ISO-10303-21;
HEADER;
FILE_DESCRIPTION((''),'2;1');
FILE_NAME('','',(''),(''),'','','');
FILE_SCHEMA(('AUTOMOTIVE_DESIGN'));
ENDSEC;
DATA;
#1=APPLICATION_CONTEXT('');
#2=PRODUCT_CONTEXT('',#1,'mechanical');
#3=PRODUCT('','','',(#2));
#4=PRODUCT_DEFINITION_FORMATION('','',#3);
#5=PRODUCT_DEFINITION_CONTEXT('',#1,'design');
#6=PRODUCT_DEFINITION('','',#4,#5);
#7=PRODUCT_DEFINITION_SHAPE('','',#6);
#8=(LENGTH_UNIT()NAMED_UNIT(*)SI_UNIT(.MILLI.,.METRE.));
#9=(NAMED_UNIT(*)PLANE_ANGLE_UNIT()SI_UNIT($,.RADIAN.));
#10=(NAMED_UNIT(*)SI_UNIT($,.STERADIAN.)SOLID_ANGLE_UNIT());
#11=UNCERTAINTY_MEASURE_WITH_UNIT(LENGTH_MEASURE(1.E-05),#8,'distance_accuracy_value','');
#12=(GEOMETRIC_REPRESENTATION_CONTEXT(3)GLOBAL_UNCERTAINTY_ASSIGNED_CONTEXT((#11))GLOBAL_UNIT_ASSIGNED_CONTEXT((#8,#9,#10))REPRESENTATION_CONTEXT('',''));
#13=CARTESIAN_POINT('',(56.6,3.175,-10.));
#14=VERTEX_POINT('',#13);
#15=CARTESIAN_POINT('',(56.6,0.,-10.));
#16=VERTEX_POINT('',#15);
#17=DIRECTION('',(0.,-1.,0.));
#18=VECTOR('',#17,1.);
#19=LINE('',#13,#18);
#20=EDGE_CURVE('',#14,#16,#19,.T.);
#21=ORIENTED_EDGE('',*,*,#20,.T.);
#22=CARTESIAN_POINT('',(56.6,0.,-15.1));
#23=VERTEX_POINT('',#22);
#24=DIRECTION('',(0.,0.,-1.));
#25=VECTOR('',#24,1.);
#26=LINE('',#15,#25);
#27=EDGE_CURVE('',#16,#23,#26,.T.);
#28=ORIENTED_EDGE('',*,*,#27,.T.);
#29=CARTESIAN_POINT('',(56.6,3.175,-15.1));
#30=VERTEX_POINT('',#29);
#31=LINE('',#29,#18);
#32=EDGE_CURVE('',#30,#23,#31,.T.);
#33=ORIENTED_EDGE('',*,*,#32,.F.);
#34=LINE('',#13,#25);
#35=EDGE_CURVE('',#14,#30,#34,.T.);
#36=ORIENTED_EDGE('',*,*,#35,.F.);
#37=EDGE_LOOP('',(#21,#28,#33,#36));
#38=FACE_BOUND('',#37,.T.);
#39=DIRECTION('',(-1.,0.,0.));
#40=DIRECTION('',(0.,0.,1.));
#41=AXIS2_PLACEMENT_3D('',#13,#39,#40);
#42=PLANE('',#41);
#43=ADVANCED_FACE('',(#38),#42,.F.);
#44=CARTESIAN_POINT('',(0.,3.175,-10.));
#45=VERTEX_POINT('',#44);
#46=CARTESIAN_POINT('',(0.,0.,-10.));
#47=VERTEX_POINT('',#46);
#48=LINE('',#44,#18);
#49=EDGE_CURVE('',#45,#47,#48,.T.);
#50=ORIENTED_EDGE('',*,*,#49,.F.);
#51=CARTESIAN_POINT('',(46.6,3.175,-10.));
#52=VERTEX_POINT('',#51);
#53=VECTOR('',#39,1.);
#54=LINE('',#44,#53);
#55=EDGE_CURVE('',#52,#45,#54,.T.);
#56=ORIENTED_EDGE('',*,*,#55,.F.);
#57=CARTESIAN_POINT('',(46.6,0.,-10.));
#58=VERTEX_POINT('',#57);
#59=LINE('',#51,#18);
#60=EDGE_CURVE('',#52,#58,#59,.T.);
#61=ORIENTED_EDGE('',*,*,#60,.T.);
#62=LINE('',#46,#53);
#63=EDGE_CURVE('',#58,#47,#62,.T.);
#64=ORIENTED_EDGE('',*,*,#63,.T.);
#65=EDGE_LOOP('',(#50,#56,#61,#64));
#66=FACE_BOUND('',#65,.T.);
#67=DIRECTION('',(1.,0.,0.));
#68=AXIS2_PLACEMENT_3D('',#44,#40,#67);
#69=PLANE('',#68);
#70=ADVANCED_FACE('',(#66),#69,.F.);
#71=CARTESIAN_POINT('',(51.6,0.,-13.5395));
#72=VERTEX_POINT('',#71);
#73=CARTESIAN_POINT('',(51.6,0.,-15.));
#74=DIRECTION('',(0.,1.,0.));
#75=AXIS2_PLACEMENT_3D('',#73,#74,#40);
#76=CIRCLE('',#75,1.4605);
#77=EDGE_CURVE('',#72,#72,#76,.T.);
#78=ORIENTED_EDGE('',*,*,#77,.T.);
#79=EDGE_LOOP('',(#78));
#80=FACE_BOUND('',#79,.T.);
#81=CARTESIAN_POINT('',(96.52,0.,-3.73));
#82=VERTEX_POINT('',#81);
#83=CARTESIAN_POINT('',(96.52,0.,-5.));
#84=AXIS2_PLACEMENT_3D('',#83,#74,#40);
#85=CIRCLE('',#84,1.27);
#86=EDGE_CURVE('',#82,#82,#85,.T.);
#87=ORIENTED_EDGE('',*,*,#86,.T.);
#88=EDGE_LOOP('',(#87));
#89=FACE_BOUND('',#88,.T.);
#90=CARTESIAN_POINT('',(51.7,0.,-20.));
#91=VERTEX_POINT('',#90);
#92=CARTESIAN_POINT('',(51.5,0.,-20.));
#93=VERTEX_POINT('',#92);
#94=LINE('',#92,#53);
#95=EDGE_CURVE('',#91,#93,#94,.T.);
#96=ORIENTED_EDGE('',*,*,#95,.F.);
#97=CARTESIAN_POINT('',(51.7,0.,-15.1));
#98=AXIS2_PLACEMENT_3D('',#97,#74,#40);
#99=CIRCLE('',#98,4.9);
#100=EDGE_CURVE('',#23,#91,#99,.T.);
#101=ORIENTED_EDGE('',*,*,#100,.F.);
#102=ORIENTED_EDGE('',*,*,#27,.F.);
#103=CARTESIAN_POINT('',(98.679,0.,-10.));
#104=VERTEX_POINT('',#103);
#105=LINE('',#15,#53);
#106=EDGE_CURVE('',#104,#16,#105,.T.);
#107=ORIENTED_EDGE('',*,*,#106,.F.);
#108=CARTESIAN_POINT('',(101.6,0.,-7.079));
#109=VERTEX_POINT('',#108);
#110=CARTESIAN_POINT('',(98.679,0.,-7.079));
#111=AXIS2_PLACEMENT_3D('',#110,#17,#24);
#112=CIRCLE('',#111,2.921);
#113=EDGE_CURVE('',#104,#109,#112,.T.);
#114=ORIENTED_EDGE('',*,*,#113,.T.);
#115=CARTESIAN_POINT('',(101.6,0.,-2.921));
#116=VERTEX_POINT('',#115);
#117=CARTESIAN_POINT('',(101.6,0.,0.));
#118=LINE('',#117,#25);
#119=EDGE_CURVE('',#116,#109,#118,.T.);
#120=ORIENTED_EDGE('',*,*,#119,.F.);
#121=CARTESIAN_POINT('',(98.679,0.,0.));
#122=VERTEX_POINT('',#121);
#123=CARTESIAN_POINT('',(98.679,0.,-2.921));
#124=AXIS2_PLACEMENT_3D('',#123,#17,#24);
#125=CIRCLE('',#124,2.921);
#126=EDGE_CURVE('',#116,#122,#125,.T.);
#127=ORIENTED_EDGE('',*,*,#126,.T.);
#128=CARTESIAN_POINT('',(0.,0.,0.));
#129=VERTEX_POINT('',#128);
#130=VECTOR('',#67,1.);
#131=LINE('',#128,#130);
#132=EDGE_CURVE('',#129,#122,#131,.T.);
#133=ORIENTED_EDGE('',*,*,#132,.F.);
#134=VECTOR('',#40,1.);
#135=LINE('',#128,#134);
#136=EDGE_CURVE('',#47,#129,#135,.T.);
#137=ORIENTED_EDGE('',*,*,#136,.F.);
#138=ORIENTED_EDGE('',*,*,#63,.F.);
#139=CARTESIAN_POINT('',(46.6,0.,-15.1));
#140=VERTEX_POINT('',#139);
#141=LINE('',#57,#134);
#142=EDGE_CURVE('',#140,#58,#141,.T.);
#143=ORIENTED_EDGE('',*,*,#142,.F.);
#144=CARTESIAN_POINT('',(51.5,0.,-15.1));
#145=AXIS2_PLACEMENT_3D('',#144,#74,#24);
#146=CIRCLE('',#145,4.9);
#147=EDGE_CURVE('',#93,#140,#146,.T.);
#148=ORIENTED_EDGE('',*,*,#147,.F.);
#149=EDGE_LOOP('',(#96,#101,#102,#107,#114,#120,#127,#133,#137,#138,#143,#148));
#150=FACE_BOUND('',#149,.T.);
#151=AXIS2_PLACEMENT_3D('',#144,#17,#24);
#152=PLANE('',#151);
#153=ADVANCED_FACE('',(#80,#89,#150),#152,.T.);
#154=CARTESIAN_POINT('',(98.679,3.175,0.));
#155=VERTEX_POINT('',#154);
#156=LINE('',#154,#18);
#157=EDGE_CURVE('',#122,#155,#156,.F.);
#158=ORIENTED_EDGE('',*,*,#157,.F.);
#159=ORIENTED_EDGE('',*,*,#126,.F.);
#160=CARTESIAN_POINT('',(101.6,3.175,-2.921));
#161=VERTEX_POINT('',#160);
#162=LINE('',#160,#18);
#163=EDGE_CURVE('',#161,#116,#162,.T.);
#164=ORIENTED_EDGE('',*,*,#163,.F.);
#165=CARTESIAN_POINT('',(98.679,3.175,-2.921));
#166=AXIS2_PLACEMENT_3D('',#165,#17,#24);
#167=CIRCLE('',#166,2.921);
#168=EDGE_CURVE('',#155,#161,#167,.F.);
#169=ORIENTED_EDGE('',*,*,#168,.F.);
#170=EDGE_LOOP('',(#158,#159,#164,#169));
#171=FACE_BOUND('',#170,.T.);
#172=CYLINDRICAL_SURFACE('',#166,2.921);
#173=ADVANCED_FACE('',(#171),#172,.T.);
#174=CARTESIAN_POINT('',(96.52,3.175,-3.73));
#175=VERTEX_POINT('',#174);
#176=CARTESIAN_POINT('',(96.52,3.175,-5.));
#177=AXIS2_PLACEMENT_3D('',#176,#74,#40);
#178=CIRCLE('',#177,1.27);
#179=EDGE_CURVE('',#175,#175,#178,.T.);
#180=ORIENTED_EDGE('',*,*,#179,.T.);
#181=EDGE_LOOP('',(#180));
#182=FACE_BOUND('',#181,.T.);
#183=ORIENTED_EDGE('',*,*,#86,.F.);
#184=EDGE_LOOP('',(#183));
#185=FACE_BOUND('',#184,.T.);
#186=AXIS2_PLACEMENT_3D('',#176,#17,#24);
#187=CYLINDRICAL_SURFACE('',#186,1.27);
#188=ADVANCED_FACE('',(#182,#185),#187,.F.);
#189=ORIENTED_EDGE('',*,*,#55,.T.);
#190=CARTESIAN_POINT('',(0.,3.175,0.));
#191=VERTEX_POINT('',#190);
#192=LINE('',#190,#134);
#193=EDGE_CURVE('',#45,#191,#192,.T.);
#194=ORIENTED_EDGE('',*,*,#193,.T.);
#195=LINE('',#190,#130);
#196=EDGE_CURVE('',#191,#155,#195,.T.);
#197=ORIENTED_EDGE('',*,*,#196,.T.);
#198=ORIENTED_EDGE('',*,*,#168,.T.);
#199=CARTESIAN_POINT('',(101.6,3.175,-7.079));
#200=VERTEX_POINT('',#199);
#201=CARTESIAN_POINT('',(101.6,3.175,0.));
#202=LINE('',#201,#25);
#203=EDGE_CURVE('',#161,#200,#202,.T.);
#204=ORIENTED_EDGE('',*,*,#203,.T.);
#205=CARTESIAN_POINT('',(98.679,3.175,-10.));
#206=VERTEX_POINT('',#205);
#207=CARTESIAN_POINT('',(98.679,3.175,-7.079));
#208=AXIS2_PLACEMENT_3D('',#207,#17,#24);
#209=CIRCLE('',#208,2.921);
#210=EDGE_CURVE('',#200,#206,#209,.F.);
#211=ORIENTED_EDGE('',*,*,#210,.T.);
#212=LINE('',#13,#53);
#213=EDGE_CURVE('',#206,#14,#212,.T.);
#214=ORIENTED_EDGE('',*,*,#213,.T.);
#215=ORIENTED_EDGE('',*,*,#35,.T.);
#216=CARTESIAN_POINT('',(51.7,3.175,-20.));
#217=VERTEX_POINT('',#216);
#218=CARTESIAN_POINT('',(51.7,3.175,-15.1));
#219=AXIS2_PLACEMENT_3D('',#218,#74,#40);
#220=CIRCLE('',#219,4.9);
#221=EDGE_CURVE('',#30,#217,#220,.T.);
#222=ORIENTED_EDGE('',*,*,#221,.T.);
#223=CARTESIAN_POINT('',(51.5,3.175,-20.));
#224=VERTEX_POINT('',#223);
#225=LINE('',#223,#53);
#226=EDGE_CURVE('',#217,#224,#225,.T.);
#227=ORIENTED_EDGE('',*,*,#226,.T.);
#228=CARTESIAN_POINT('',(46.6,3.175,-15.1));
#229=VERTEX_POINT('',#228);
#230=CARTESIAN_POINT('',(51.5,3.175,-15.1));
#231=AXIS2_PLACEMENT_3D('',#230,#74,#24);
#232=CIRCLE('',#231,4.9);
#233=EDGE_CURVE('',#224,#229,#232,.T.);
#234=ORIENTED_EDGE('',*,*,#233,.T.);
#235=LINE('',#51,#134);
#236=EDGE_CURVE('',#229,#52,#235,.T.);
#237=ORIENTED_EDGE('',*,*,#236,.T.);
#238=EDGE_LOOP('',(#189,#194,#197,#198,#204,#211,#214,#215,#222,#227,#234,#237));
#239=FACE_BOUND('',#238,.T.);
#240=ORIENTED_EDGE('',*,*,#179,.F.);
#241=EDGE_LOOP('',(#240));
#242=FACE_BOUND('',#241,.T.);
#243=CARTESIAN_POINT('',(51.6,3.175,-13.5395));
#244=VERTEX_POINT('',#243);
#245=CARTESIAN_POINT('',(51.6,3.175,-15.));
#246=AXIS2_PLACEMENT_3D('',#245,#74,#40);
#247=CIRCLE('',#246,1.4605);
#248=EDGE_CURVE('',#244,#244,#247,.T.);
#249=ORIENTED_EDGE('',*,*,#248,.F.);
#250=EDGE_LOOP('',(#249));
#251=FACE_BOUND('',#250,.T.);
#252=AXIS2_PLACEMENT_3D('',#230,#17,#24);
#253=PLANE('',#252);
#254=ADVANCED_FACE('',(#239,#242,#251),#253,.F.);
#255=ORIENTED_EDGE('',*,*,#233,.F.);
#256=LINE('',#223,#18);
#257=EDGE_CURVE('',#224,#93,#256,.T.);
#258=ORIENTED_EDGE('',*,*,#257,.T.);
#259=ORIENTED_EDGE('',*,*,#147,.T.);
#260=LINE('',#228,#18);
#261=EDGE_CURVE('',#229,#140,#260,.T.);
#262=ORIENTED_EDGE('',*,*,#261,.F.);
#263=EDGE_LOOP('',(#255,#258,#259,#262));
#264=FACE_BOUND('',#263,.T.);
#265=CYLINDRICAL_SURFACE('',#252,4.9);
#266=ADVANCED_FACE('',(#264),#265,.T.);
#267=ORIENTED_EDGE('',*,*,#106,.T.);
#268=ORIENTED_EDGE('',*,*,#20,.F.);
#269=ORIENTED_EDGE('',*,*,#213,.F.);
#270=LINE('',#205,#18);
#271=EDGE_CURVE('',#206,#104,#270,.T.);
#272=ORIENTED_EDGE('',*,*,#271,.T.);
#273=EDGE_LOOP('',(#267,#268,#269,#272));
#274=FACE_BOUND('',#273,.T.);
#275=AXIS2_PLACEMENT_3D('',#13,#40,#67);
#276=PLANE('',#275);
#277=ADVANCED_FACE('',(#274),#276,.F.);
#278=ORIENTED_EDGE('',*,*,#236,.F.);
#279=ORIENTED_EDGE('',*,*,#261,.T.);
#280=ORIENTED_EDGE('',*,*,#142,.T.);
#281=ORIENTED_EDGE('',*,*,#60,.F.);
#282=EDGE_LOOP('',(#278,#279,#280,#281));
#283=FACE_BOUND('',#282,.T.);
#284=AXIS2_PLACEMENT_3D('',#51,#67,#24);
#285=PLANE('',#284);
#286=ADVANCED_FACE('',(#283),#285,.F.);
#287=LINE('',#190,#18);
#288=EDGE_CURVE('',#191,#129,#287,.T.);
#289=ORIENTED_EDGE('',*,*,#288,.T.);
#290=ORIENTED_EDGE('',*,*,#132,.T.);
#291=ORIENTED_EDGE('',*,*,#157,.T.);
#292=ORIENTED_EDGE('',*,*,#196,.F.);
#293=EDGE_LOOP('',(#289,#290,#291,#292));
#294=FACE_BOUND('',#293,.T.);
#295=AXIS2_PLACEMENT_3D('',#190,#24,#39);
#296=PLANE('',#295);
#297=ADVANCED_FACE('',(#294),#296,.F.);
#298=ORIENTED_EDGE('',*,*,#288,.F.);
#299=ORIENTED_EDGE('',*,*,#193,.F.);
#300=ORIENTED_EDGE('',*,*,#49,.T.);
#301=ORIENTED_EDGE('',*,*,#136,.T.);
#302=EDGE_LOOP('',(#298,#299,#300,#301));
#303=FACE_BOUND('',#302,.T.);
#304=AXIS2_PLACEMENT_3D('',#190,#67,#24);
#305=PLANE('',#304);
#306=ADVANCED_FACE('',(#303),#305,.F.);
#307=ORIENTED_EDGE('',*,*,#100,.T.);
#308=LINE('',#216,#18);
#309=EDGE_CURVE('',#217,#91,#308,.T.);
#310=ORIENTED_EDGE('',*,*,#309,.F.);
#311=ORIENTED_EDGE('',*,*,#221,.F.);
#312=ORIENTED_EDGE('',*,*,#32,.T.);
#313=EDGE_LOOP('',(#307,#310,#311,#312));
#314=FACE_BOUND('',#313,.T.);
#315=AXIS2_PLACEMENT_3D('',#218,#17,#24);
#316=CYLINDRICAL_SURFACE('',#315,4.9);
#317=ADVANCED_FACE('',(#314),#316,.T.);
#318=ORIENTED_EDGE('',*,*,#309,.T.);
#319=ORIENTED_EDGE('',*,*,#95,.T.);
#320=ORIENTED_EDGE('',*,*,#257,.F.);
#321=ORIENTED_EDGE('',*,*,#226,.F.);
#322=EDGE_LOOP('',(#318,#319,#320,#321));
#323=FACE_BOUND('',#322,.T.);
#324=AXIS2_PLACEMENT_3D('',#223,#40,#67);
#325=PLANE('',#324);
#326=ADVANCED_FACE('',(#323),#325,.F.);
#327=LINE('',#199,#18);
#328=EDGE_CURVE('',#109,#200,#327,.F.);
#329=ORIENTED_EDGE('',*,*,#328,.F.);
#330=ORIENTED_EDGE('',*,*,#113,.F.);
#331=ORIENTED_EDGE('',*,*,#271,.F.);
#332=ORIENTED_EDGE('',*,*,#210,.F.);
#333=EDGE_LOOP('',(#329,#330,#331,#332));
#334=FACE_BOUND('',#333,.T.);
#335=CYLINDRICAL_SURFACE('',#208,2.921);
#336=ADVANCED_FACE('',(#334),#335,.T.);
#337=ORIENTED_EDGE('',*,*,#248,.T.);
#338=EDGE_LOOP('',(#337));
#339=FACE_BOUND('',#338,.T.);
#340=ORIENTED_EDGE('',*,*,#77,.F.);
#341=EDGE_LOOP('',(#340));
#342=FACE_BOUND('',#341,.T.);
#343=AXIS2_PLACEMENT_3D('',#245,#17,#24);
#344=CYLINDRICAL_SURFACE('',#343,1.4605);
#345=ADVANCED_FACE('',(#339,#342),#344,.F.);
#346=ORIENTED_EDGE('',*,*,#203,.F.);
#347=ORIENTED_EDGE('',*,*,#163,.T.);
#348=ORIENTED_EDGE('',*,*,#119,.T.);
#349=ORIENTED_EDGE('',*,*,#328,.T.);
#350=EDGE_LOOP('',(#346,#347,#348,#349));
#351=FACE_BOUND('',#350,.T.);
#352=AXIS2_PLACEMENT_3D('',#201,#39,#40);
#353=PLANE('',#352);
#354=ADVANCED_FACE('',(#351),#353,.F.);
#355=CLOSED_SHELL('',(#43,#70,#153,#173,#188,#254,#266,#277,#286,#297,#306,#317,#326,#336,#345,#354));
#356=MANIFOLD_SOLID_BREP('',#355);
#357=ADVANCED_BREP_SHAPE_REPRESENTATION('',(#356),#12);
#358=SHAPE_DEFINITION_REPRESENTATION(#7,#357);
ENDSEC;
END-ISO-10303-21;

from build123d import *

# Parameters (mm, degrees)
SKETCH1_R           = 1.4605
SKETCH1_R_2         = 1.27
BOSS_EXTRUDE1_DEPTH = 3.175
FILLET1_R           = 2.921


with BuildPart() as part:
    # Sketch1 → Boss-Extrude1 (new body)
    with BuildSketch(Plane(origin=(0, 0, 0), x_dir=(1, 0, 0), z_dir=(0, 1, 0))):
        with BuildLine():
            Line((56.6, 10), (101.6, 10))
            Line((101.6, 10), (101.6, 0))
            Line((101.6, 0), (0, 0))
            Line((0, 0), (0, 10))
            Line((0, 10), (46.6, 10))
            Line((46.6, 10), (46.6, 15.1))
            ThreePointArc((46.6, 15.1), (48.035176772, 18.564823228), (51.5, 20))
            Line((51.5, 20), (51.7, 20))
            ThreePointArc((51.7, 20), (55.164823228, 18.564823228), (56.6, 15.1))
            Line((56.6, 15.1), (56.6, 10))
        make_face()
        with Locations(Location((51.6, 15, 0), (0, 0, 270))):
            Circle(SKETCH1_R, mode=Mode.SUBTRACT)
        with Locations(Location((96.52, 5, 0), (0, 0, 270))):
            Circle(SKETCH1_R_2, mode=Mode.SUBTRACT)
    extrude(amount=BOSS_EXTRUDE1_DEPTH)

    # Fillet1
    fillet1_edges = [part.edges().sort_by_distance(p)[0] for p in [
        (101.6, 1.5875, -10),
        (101.6, 1.5875, 0),
    ]]
    fillet(fillet1_edges, radius=FILLET1_R)


solid = part.part
